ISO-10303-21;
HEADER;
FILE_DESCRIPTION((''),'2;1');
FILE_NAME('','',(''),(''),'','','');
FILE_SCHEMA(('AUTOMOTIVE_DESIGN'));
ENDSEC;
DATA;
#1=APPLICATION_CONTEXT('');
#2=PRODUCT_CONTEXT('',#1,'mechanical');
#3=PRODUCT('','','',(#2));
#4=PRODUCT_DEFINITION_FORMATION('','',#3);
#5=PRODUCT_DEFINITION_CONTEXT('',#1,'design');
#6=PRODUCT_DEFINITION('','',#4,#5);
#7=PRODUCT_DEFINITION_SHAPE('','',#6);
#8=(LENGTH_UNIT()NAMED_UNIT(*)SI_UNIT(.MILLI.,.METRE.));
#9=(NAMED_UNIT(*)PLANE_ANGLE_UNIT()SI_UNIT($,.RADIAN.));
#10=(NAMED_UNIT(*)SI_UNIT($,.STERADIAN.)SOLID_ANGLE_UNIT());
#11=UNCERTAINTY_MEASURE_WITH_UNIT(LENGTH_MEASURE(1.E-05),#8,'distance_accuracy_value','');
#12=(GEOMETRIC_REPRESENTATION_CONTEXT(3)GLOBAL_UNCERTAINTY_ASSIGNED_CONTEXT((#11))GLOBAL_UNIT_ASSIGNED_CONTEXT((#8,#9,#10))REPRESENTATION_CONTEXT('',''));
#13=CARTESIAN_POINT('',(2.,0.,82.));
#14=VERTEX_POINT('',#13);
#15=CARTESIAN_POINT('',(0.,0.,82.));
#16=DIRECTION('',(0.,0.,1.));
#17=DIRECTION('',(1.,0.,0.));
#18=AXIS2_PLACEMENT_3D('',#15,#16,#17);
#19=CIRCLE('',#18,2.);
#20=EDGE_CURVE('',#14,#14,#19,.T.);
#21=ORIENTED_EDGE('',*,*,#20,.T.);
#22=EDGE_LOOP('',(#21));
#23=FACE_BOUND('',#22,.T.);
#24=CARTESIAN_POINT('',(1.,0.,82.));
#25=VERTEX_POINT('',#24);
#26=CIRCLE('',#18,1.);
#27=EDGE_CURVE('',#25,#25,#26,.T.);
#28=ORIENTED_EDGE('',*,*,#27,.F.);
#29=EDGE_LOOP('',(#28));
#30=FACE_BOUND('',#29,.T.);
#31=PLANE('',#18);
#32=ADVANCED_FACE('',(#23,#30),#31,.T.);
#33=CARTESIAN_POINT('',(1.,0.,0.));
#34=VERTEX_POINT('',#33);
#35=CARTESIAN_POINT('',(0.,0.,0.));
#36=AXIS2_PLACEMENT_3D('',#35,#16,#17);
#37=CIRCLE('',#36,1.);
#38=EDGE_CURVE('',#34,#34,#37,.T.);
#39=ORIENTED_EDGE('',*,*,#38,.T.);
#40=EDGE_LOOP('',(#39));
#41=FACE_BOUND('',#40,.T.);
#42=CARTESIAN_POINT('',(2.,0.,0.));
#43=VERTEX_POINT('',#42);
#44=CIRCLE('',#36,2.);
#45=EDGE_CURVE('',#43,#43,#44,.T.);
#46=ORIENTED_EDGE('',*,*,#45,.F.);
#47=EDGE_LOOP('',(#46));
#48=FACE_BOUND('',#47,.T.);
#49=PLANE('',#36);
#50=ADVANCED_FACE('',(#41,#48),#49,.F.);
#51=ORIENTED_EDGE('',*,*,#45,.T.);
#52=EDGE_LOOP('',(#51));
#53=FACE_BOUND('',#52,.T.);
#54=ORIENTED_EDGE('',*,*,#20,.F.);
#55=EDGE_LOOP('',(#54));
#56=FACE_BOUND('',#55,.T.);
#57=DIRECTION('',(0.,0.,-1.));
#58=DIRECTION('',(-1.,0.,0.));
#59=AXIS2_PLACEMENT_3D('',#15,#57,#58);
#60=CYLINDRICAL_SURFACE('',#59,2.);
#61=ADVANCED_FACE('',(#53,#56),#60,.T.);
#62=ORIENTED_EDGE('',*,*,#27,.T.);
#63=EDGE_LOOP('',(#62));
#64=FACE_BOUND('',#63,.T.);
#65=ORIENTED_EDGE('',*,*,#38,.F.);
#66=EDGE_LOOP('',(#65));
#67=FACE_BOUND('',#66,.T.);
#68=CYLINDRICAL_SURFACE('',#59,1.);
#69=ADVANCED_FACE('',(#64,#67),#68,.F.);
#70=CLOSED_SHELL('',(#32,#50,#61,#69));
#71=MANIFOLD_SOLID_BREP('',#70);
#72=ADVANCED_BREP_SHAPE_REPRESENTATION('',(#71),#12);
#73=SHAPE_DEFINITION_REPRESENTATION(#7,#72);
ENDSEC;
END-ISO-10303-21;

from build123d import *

# Parameters (mm, degrees)
SKICA1_R                = 2
SKICA1_R_2              = 1
P_IDAT_VYSUNUT_M1_DEPTH = 82


with BuildPart() as part:
    # Skica1 → Přidat vysunutím1 (new body)
    with BuildSketch(Plane.XY):
        Circle(SKICA1_R)
        Circle(SKICA1_R_2, mode=Mode.SUBTRACT)
    extrude(amount=P_IDAT_VYSUNUT_M1_DEPTH)


solid = part.part
